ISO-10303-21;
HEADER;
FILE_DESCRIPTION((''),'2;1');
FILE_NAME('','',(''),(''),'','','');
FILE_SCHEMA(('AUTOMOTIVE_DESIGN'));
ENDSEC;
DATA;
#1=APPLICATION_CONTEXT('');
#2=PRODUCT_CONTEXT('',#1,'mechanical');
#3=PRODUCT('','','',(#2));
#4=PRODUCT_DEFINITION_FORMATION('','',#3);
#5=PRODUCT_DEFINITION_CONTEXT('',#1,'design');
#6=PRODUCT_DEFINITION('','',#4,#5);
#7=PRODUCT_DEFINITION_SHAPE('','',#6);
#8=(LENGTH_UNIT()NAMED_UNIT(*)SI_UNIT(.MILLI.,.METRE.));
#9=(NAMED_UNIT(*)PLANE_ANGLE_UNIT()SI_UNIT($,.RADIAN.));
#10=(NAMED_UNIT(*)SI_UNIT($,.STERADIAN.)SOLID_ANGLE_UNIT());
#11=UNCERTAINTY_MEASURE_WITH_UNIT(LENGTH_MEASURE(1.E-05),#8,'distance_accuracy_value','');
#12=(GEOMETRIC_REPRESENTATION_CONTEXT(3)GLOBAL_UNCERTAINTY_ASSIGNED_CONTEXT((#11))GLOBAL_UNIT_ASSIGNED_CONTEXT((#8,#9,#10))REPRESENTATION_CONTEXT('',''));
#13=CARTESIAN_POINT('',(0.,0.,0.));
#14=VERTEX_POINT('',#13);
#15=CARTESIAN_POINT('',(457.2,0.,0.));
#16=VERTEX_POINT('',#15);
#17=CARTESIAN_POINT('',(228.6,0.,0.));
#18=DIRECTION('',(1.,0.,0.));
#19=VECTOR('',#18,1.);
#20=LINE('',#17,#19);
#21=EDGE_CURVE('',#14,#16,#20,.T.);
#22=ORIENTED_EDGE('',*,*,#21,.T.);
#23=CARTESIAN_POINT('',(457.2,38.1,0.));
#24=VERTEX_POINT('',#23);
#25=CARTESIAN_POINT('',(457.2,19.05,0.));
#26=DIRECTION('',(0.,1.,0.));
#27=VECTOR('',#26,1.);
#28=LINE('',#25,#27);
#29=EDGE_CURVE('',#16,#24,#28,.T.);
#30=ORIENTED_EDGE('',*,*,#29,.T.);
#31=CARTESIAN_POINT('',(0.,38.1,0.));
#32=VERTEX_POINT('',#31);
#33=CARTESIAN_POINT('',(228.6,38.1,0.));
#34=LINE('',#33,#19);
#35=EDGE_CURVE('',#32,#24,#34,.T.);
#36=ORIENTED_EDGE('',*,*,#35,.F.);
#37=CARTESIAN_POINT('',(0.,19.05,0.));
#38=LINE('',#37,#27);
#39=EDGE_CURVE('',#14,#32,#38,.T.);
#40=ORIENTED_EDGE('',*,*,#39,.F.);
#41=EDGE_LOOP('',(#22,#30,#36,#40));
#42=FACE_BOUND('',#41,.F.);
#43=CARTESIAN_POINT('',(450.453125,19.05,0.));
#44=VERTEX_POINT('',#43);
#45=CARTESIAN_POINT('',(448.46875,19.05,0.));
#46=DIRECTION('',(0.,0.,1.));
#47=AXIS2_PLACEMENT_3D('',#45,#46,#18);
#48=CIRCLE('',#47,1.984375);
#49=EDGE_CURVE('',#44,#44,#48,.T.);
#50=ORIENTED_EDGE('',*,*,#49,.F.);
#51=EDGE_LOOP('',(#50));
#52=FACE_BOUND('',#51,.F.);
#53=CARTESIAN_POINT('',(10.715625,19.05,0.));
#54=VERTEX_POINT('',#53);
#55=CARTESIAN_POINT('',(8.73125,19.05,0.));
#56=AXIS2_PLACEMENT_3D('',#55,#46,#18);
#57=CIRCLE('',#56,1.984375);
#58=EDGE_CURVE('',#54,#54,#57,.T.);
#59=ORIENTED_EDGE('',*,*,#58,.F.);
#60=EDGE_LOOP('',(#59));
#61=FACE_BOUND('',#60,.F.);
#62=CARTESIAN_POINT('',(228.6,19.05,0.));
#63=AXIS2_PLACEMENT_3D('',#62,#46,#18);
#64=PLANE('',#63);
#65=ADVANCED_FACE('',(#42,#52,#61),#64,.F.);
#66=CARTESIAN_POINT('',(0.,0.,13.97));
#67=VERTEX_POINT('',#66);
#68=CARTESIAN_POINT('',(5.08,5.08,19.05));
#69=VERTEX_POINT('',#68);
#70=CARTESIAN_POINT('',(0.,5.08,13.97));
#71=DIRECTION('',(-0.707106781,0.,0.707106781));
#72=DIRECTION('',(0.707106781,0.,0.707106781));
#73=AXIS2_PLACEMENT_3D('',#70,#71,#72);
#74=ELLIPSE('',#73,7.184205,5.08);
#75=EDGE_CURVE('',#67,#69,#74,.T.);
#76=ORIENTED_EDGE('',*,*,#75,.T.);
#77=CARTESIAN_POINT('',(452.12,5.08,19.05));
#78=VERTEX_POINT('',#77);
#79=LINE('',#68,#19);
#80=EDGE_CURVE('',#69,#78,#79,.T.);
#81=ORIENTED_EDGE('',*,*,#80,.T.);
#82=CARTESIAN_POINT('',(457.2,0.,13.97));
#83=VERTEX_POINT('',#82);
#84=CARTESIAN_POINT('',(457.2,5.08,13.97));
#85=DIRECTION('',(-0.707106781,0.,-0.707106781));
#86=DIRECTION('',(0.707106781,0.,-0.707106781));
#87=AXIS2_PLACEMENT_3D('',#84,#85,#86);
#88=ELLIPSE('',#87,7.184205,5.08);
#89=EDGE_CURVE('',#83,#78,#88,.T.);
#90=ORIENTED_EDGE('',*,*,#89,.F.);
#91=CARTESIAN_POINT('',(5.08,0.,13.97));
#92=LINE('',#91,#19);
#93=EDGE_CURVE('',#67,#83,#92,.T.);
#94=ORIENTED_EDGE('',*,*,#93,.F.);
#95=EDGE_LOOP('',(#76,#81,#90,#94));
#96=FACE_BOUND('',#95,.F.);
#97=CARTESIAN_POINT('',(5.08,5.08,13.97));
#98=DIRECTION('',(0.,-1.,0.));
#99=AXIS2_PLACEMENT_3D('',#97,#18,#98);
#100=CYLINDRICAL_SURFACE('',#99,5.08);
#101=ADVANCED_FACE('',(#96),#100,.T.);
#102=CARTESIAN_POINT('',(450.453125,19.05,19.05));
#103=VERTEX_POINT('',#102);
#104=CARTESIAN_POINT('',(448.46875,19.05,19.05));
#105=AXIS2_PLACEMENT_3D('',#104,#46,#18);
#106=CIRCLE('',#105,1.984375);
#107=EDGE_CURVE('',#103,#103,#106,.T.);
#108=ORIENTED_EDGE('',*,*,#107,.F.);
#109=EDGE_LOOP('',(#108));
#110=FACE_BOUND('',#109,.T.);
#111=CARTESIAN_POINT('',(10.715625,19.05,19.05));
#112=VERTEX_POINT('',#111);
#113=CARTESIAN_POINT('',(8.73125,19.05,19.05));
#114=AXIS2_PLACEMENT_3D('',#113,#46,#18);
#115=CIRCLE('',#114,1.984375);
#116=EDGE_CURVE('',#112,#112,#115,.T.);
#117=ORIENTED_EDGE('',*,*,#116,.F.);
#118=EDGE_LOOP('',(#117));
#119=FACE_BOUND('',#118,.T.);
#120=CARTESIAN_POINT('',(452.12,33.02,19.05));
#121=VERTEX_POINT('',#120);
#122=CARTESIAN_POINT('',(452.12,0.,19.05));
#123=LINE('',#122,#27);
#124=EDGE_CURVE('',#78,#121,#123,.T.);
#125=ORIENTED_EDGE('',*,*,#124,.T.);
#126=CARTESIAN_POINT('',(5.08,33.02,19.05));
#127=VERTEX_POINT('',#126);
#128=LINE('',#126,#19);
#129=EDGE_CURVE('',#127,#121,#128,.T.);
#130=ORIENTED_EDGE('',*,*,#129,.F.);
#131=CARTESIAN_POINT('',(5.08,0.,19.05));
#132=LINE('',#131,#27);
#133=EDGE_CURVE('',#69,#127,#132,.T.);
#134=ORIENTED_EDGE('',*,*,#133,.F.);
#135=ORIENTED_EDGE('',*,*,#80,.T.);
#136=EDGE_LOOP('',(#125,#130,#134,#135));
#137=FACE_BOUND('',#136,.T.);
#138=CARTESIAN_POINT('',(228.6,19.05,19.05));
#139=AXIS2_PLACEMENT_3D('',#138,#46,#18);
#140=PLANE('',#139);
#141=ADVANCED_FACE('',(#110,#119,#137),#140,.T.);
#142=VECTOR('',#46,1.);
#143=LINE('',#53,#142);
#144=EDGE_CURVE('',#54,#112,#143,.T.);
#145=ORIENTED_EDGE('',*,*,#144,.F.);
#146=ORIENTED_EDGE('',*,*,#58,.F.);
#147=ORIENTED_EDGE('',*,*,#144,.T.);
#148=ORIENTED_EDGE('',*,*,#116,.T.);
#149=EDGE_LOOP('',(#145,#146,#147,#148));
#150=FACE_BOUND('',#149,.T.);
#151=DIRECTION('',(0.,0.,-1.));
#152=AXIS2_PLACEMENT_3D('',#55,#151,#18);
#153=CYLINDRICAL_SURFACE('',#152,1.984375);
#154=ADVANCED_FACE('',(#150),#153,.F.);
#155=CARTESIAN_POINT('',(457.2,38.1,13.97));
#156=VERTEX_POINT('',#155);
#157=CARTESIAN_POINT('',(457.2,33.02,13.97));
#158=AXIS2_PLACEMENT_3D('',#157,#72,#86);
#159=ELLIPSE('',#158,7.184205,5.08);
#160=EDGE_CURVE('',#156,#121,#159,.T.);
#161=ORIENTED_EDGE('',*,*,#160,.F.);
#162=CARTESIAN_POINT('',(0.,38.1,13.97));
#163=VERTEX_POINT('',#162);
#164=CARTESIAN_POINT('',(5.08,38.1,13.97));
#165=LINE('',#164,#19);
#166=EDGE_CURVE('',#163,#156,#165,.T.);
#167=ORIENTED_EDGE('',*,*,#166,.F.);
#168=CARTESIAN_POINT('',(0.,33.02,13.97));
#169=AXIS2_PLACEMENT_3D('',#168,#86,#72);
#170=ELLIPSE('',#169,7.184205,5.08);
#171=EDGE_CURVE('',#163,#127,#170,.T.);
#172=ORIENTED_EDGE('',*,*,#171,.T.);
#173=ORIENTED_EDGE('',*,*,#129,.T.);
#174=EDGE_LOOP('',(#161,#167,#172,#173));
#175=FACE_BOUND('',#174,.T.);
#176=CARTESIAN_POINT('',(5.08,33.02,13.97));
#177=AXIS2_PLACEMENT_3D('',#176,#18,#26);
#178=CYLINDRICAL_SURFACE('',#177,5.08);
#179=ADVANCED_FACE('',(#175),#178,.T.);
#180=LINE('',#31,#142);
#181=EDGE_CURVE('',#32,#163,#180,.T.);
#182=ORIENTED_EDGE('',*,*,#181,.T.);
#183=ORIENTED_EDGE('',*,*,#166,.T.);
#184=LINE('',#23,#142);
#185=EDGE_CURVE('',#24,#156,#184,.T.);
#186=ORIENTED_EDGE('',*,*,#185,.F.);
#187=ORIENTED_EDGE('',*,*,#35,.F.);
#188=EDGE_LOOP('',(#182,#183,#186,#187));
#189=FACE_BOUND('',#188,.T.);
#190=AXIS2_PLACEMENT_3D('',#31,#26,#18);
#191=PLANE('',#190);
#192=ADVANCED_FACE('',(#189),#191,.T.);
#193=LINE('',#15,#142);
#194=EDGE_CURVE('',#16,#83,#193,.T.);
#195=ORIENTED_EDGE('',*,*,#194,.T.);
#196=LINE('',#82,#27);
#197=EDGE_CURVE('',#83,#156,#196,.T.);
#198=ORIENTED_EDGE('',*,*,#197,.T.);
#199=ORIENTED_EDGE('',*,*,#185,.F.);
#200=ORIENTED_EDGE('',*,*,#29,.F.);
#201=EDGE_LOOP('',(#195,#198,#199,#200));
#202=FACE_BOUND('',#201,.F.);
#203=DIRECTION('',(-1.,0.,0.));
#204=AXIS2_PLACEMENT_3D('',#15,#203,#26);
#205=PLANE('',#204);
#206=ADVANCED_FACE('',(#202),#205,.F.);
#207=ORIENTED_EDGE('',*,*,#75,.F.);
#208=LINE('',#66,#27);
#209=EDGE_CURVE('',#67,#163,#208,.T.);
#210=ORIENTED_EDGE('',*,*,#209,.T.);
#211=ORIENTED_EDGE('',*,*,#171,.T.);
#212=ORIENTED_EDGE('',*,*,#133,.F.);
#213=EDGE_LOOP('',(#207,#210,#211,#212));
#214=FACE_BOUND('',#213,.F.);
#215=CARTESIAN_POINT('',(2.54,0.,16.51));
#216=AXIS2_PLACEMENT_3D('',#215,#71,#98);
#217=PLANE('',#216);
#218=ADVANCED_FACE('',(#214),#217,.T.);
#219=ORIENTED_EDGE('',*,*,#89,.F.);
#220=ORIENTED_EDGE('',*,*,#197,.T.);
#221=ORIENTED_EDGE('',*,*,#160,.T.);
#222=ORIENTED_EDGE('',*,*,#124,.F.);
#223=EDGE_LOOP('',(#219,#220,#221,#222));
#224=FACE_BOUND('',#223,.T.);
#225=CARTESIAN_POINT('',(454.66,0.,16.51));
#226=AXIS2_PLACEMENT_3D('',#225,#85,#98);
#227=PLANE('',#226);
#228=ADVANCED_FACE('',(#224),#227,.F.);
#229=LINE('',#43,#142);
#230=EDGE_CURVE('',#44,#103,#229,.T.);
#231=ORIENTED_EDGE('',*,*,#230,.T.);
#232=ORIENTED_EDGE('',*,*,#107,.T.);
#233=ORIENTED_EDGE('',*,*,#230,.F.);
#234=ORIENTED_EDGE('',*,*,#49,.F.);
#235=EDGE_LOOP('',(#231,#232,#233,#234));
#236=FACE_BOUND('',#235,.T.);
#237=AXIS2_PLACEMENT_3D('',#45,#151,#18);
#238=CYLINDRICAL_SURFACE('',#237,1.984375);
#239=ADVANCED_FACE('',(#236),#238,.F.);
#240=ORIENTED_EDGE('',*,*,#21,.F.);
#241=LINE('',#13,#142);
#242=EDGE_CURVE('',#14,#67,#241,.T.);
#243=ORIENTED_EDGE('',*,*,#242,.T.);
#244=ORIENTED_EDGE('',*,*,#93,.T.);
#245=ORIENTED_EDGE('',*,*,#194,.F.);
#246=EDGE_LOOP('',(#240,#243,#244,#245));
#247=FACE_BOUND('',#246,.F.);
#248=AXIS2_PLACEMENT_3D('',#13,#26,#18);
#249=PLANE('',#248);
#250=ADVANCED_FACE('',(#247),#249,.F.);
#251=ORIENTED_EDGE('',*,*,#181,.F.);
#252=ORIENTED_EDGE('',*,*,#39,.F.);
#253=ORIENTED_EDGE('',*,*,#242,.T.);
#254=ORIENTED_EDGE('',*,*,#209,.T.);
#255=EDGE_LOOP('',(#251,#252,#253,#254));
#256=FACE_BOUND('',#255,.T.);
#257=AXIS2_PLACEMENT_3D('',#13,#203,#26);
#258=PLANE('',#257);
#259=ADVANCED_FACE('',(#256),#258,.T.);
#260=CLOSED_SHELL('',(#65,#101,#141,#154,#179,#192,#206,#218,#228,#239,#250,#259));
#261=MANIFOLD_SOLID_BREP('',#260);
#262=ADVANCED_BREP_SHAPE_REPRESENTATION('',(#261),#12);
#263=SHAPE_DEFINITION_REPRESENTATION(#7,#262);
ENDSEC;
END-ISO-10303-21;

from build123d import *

# Parameters (mm, degrees)
F0_W     = 457.2
F0_H     = 38.1
F0_R     = 1.984375
F1_DEPTH = 19.05
F2_SIZE  = 5.08
F3_R     = 5.08


with BuildPart() as f1:
    # F0 (on Top) → F1 (new body)
    with BuildSketch(Plane.XY):
        with Locations((228.6, 19.05)):
            Rectangle(F0_W, F0_H)
        with Locations((8.73125, 19.05)):
            Circle(F0_R, mode=Mode.SUBTRACT)
        with Locations((448.46875, 19.05)):
            Circle(F0_R, mode=Mode.SUBTRACT)
    extrude(amount=F1_DEPTH)

    # F2
    f2_edges = [f1.edges().sort_by_distance(p)[0] for p in [
        (0, 19.05, 19.05),
        (457.2, 19.05, 19.05),
    ]]
    chamfer(f2_edges, length=F2_SIZE)

    # F3
    f3_edges = [f1.edges().sort_by_distance(p)[0] for p in [
        (228.6, 38.1, 19.05),
        (228.6, 0, 19.05),
    ]]
    fillet(f3_edges, radius=F3_R)


solid = f1.part
